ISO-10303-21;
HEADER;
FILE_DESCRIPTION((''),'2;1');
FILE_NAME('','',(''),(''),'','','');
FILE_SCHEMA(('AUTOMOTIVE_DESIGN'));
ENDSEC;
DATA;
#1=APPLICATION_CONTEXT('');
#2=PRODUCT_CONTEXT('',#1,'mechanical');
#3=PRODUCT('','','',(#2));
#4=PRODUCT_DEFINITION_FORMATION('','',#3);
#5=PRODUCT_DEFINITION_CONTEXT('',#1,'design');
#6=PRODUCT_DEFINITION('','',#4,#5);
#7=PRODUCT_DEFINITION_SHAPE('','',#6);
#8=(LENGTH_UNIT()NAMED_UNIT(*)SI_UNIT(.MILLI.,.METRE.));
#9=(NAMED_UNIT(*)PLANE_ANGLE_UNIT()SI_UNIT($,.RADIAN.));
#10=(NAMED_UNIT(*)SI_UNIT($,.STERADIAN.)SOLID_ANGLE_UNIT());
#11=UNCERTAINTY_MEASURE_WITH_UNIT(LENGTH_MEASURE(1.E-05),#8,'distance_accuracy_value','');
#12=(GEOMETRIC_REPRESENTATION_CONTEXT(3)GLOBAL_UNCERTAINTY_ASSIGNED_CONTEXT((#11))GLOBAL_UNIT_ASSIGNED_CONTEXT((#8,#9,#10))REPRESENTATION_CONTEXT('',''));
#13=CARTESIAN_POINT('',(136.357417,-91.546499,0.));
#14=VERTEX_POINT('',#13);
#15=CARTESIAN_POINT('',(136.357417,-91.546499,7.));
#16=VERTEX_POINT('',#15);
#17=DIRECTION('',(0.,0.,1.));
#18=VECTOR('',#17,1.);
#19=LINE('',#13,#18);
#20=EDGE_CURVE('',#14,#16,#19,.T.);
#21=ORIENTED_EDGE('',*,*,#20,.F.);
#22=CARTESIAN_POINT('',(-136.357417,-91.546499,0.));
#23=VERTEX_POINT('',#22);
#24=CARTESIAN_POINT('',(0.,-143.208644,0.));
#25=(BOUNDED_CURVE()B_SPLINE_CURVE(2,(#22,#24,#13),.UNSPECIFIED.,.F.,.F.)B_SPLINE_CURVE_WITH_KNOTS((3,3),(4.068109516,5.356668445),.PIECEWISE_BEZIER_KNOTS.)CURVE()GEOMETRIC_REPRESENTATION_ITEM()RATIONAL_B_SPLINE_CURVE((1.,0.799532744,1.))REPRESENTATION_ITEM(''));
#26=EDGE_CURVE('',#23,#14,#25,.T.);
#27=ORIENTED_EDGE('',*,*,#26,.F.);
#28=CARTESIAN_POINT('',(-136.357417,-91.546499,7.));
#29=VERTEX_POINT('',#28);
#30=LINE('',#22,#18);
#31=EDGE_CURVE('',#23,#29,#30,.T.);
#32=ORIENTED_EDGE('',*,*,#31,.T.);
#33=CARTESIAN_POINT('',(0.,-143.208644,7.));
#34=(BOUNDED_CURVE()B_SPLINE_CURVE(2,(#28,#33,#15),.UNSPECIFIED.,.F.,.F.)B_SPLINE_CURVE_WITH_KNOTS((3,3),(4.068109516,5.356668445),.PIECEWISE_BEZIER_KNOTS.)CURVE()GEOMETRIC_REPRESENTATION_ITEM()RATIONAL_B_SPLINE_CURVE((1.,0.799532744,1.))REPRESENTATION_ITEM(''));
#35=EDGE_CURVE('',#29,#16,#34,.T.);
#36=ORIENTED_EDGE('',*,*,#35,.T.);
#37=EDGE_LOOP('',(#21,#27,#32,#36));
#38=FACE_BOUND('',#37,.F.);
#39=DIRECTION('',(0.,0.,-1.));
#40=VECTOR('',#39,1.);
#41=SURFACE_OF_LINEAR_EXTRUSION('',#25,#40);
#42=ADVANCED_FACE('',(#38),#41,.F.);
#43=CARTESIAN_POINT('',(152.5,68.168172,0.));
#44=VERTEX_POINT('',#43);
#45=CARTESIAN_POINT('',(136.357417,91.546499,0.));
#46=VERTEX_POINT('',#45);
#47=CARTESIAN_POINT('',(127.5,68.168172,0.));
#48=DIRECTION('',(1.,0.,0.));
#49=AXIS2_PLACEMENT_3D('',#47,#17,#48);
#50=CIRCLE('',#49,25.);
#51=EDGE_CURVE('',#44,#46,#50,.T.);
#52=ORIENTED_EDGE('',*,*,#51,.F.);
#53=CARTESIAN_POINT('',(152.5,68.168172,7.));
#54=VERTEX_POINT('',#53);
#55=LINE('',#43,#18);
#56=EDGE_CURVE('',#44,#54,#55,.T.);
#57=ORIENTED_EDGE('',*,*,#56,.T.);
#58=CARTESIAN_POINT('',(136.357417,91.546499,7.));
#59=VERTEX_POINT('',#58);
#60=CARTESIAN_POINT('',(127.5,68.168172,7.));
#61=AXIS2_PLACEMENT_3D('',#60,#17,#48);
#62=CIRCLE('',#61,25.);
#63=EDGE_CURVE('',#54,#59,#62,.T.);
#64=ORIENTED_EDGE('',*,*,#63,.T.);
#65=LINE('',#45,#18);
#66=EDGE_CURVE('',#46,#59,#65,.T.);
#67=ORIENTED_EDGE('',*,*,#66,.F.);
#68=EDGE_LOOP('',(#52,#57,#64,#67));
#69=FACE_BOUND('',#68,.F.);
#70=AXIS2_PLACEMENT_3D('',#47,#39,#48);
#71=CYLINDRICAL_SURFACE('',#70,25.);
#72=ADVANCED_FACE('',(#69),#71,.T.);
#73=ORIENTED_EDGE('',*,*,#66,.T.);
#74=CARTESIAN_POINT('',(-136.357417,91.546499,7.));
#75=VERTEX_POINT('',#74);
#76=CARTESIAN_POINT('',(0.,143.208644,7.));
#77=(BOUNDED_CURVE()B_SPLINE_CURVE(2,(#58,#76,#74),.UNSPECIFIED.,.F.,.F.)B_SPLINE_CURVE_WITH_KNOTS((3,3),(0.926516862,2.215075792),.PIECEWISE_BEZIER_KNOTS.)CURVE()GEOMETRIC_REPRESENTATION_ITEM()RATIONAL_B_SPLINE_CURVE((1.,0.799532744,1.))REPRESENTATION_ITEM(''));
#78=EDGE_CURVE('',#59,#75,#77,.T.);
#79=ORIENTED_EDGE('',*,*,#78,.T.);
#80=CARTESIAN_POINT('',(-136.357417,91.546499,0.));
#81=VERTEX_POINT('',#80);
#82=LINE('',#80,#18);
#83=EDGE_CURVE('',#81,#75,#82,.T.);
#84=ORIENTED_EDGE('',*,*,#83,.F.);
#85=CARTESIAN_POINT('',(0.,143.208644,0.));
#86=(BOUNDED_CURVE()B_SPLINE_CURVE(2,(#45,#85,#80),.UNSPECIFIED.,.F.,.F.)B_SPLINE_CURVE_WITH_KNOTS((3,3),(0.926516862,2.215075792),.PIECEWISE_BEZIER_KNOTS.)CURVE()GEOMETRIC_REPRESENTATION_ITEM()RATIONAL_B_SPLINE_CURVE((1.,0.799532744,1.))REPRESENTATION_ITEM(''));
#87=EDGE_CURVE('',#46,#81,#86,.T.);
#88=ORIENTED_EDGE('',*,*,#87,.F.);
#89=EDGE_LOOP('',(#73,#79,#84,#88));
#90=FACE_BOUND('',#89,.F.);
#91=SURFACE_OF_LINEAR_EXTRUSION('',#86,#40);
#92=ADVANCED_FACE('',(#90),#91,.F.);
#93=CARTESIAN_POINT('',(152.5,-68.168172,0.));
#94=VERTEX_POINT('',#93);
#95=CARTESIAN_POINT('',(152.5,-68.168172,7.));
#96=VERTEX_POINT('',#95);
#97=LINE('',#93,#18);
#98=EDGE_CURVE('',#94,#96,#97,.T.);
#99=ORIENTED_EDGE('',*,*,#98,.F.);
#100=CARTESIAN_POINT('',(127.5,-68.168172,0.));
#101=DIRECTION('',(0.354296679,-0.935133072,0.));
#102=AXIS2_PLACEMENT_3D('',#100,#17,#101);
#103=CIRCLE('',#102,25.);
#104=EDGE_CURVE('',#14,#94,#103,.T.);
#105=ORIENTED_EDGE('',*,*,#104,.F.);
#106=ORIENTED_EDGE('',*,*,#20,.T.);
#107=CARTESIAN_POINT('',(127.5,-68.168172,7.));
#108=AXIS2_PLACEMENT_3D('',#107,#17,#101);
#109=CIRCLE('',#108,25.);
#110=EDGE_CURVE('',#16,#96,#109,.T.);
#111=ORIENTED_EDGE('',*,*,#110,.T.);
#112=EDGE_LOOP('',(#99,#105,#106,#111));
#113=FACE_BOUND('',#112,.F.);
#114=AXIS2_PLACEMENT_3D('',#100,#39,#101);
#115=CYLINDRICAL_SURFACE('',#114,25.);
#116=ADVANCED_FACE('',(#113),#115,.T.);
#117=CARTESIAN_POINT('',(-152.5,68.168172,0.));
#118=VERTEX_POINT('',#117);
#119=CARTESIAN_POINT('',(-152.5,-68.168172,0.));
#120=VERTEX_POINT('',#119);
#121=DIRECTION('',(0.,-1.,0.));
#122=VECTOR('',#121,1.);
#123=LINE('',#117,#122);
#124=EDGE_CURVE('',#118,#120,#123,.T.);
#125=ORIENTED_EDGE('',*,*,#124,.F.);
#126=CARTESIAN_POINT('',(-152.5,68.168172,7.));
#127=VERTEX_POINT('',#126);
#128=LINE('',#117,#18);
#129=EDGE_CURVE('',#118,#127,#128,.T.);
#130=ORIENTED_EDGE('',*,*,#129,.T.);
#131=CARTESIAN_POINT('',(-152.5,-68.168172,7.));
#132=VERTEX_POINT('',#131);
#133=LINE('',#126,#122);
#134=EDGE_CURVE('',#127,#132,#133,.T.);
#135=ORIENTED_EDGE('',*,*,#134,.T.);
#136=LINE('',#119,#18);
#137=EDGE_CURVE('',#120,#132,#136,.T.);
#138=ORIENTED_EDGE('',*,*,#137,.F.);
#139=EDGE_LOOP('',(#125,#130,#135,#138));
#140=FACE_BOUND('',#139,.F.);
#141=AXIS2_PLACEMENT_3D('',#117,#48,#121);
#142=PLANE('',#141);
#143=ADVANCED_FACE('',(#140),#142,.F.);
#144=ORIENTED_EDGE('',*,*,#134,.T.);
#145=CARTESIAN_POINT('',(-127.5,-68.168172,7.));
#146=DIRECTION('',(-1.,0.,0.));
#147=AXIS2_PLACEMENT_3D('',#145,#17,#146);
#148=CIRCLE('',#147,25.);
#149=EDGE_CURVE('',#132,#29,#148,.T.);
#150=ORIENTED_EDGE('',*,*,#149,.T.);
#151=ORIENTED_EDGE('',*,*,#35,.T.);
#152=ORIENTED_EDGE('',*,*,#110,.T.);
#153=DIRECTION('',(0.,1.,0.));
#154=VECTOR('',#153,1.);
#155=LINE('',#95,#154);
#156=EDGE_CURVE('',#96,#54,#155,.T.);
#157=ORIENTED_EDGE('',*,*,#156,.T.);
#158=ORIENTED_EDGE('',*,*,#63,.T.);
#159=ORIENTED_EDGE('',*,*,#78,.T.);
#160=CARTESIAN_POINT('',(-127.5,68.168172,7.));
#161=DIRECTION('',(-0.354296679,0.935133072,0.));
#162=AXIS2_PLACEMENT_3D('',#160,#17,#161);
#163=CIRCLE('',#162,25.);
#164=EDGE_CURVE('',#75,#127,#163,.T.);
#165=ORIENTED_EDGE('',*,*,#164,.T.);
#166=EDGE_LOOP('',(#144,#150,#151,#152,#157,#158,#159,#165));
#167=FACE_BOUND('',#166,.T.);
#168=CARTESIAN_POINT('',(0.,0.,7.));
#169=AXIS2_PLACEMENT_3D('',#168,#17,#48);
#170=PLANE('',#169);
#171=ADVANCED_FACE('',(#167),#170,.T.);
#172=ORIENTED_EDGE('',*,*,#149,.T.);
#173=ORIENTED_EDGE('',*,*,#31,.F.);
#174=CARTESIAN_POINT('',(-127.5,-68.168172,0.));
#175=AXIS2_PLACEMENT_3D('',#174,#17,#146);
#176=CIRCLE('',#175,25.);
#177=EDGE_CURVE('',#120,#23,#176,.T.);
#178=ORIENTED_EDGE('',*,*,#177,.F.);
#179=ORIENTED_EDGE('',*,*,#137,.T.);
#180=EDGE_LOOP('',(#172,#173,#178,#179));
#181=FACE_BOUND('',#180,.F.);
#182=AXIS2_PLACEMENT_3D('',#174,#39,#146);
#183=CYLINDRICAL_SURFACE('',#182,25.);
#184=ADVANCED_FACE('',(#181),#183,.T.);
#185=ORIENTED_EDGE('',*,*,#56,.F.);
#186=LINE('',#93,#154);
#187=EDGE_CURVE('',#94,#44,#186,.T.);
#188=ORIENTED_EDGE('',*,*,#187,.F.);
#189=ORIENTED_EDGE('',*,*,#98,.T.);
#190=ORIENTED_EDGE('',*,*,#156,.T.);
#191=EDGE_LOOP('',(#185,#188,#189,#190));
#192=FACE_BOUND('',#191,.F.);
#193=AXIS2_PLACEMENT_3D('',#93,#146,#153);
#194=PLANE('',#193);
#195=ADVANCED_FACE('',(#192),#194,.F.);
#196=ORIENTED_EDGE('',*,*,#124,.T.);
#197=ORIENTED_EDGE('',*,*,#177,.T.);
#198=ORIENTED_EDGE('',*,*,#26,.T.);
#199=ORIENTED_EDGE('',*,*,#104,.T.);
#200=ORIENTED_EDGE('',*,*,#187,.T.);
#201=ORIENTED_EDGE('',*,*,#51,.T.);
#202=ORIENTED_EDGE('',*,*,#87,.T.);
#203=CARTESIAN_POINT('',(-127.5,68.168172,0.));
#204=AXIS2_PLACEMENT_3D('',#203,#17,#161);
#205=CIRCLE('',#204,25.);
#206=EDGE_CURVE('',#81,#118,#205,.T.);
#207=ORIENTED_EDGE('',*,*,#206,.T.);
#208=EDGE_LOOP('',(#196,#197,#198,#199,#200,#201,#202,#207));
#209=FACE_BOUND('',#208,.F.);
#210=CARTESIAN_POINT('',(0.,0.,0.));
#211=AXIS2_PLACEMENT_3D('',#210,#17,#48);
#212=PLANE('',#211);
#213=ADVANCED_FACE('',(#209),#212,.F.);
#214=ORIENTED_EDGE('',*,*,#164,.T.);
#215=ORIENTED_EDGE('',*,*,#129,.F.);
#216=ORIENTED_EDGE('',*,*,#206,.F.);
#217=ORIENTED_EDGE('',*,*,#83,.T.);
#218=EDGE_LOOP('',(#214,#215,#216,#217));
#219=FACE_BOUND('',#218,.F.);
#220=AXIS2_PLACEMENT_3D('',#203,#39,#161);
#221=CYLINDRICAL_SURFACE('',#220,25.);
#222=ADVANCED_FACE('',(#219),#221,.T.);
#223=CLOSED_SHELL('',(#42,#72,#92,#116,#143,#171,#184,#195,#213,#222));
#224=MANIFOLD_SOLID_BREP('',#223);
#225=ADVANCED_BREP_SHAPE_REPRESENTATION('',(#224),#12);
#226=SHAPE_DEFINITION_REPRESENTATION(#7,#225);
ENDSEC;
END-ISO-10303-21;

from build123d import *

# Parameters (mm, degrees)
F1_DEPTH = 7


with BuildPart() as f1:
    # F0 (on Top) → F1 (new body)
    with BuildSketch(Plane.XY):
        with BuildLine():
            ThreePointArc((136.3574169857, -91.5464991998), (148.072255888, -82.3731816378), (152.5, -68.1681723918))
            Line((152.5, -68.1681723918), (152.5, 68.1681723918))
            ThreePointArc((152.5, 68.1681723918), (148.072255888, 82.3731816378), (136.3574169857, 91.5464991998))
            add(Edge.make_bspline(
                [(136.3574169857, 91.5464991998), (0, 143.2086438541), (-136.3574169857, 91.5464991998)],
                knots=[0.926516862, 0.926516862, 0.926516862, 2.2150757916, 2.2150757916, 2.2150757916], degree=2, weights=[1, 0.7995327441, 1]))
            ThreePointArc((-136.3574169857, 91.5464991998), (-148.072255888, 82.3731816378), (-152.5, 68.1681723918))
            Line((-152.5, 68.1681723918), (-152.5, -68.1681723918))
            ThreePointArc((-152.5, -68.1681723918), (-148.072255888, -82.3731816378), (-136.3574169857, -91.5464991998))
            add(Edge.make_bspline(
                [(-136.357416964, -91.546499208), (1.69e-08, -143.2086438477), (136.3574169857, -91.5464991998)],
                knots=[4.0681095157, 4.0681095157, 4.0681095157, 5.3566684452, 5.3566684452, 5.3566684452], degree=2, weights=[1, 0.7995327441, 1]))
        make_face()
    extrude(amount=F1_DEPTH)


solid = f1.part
